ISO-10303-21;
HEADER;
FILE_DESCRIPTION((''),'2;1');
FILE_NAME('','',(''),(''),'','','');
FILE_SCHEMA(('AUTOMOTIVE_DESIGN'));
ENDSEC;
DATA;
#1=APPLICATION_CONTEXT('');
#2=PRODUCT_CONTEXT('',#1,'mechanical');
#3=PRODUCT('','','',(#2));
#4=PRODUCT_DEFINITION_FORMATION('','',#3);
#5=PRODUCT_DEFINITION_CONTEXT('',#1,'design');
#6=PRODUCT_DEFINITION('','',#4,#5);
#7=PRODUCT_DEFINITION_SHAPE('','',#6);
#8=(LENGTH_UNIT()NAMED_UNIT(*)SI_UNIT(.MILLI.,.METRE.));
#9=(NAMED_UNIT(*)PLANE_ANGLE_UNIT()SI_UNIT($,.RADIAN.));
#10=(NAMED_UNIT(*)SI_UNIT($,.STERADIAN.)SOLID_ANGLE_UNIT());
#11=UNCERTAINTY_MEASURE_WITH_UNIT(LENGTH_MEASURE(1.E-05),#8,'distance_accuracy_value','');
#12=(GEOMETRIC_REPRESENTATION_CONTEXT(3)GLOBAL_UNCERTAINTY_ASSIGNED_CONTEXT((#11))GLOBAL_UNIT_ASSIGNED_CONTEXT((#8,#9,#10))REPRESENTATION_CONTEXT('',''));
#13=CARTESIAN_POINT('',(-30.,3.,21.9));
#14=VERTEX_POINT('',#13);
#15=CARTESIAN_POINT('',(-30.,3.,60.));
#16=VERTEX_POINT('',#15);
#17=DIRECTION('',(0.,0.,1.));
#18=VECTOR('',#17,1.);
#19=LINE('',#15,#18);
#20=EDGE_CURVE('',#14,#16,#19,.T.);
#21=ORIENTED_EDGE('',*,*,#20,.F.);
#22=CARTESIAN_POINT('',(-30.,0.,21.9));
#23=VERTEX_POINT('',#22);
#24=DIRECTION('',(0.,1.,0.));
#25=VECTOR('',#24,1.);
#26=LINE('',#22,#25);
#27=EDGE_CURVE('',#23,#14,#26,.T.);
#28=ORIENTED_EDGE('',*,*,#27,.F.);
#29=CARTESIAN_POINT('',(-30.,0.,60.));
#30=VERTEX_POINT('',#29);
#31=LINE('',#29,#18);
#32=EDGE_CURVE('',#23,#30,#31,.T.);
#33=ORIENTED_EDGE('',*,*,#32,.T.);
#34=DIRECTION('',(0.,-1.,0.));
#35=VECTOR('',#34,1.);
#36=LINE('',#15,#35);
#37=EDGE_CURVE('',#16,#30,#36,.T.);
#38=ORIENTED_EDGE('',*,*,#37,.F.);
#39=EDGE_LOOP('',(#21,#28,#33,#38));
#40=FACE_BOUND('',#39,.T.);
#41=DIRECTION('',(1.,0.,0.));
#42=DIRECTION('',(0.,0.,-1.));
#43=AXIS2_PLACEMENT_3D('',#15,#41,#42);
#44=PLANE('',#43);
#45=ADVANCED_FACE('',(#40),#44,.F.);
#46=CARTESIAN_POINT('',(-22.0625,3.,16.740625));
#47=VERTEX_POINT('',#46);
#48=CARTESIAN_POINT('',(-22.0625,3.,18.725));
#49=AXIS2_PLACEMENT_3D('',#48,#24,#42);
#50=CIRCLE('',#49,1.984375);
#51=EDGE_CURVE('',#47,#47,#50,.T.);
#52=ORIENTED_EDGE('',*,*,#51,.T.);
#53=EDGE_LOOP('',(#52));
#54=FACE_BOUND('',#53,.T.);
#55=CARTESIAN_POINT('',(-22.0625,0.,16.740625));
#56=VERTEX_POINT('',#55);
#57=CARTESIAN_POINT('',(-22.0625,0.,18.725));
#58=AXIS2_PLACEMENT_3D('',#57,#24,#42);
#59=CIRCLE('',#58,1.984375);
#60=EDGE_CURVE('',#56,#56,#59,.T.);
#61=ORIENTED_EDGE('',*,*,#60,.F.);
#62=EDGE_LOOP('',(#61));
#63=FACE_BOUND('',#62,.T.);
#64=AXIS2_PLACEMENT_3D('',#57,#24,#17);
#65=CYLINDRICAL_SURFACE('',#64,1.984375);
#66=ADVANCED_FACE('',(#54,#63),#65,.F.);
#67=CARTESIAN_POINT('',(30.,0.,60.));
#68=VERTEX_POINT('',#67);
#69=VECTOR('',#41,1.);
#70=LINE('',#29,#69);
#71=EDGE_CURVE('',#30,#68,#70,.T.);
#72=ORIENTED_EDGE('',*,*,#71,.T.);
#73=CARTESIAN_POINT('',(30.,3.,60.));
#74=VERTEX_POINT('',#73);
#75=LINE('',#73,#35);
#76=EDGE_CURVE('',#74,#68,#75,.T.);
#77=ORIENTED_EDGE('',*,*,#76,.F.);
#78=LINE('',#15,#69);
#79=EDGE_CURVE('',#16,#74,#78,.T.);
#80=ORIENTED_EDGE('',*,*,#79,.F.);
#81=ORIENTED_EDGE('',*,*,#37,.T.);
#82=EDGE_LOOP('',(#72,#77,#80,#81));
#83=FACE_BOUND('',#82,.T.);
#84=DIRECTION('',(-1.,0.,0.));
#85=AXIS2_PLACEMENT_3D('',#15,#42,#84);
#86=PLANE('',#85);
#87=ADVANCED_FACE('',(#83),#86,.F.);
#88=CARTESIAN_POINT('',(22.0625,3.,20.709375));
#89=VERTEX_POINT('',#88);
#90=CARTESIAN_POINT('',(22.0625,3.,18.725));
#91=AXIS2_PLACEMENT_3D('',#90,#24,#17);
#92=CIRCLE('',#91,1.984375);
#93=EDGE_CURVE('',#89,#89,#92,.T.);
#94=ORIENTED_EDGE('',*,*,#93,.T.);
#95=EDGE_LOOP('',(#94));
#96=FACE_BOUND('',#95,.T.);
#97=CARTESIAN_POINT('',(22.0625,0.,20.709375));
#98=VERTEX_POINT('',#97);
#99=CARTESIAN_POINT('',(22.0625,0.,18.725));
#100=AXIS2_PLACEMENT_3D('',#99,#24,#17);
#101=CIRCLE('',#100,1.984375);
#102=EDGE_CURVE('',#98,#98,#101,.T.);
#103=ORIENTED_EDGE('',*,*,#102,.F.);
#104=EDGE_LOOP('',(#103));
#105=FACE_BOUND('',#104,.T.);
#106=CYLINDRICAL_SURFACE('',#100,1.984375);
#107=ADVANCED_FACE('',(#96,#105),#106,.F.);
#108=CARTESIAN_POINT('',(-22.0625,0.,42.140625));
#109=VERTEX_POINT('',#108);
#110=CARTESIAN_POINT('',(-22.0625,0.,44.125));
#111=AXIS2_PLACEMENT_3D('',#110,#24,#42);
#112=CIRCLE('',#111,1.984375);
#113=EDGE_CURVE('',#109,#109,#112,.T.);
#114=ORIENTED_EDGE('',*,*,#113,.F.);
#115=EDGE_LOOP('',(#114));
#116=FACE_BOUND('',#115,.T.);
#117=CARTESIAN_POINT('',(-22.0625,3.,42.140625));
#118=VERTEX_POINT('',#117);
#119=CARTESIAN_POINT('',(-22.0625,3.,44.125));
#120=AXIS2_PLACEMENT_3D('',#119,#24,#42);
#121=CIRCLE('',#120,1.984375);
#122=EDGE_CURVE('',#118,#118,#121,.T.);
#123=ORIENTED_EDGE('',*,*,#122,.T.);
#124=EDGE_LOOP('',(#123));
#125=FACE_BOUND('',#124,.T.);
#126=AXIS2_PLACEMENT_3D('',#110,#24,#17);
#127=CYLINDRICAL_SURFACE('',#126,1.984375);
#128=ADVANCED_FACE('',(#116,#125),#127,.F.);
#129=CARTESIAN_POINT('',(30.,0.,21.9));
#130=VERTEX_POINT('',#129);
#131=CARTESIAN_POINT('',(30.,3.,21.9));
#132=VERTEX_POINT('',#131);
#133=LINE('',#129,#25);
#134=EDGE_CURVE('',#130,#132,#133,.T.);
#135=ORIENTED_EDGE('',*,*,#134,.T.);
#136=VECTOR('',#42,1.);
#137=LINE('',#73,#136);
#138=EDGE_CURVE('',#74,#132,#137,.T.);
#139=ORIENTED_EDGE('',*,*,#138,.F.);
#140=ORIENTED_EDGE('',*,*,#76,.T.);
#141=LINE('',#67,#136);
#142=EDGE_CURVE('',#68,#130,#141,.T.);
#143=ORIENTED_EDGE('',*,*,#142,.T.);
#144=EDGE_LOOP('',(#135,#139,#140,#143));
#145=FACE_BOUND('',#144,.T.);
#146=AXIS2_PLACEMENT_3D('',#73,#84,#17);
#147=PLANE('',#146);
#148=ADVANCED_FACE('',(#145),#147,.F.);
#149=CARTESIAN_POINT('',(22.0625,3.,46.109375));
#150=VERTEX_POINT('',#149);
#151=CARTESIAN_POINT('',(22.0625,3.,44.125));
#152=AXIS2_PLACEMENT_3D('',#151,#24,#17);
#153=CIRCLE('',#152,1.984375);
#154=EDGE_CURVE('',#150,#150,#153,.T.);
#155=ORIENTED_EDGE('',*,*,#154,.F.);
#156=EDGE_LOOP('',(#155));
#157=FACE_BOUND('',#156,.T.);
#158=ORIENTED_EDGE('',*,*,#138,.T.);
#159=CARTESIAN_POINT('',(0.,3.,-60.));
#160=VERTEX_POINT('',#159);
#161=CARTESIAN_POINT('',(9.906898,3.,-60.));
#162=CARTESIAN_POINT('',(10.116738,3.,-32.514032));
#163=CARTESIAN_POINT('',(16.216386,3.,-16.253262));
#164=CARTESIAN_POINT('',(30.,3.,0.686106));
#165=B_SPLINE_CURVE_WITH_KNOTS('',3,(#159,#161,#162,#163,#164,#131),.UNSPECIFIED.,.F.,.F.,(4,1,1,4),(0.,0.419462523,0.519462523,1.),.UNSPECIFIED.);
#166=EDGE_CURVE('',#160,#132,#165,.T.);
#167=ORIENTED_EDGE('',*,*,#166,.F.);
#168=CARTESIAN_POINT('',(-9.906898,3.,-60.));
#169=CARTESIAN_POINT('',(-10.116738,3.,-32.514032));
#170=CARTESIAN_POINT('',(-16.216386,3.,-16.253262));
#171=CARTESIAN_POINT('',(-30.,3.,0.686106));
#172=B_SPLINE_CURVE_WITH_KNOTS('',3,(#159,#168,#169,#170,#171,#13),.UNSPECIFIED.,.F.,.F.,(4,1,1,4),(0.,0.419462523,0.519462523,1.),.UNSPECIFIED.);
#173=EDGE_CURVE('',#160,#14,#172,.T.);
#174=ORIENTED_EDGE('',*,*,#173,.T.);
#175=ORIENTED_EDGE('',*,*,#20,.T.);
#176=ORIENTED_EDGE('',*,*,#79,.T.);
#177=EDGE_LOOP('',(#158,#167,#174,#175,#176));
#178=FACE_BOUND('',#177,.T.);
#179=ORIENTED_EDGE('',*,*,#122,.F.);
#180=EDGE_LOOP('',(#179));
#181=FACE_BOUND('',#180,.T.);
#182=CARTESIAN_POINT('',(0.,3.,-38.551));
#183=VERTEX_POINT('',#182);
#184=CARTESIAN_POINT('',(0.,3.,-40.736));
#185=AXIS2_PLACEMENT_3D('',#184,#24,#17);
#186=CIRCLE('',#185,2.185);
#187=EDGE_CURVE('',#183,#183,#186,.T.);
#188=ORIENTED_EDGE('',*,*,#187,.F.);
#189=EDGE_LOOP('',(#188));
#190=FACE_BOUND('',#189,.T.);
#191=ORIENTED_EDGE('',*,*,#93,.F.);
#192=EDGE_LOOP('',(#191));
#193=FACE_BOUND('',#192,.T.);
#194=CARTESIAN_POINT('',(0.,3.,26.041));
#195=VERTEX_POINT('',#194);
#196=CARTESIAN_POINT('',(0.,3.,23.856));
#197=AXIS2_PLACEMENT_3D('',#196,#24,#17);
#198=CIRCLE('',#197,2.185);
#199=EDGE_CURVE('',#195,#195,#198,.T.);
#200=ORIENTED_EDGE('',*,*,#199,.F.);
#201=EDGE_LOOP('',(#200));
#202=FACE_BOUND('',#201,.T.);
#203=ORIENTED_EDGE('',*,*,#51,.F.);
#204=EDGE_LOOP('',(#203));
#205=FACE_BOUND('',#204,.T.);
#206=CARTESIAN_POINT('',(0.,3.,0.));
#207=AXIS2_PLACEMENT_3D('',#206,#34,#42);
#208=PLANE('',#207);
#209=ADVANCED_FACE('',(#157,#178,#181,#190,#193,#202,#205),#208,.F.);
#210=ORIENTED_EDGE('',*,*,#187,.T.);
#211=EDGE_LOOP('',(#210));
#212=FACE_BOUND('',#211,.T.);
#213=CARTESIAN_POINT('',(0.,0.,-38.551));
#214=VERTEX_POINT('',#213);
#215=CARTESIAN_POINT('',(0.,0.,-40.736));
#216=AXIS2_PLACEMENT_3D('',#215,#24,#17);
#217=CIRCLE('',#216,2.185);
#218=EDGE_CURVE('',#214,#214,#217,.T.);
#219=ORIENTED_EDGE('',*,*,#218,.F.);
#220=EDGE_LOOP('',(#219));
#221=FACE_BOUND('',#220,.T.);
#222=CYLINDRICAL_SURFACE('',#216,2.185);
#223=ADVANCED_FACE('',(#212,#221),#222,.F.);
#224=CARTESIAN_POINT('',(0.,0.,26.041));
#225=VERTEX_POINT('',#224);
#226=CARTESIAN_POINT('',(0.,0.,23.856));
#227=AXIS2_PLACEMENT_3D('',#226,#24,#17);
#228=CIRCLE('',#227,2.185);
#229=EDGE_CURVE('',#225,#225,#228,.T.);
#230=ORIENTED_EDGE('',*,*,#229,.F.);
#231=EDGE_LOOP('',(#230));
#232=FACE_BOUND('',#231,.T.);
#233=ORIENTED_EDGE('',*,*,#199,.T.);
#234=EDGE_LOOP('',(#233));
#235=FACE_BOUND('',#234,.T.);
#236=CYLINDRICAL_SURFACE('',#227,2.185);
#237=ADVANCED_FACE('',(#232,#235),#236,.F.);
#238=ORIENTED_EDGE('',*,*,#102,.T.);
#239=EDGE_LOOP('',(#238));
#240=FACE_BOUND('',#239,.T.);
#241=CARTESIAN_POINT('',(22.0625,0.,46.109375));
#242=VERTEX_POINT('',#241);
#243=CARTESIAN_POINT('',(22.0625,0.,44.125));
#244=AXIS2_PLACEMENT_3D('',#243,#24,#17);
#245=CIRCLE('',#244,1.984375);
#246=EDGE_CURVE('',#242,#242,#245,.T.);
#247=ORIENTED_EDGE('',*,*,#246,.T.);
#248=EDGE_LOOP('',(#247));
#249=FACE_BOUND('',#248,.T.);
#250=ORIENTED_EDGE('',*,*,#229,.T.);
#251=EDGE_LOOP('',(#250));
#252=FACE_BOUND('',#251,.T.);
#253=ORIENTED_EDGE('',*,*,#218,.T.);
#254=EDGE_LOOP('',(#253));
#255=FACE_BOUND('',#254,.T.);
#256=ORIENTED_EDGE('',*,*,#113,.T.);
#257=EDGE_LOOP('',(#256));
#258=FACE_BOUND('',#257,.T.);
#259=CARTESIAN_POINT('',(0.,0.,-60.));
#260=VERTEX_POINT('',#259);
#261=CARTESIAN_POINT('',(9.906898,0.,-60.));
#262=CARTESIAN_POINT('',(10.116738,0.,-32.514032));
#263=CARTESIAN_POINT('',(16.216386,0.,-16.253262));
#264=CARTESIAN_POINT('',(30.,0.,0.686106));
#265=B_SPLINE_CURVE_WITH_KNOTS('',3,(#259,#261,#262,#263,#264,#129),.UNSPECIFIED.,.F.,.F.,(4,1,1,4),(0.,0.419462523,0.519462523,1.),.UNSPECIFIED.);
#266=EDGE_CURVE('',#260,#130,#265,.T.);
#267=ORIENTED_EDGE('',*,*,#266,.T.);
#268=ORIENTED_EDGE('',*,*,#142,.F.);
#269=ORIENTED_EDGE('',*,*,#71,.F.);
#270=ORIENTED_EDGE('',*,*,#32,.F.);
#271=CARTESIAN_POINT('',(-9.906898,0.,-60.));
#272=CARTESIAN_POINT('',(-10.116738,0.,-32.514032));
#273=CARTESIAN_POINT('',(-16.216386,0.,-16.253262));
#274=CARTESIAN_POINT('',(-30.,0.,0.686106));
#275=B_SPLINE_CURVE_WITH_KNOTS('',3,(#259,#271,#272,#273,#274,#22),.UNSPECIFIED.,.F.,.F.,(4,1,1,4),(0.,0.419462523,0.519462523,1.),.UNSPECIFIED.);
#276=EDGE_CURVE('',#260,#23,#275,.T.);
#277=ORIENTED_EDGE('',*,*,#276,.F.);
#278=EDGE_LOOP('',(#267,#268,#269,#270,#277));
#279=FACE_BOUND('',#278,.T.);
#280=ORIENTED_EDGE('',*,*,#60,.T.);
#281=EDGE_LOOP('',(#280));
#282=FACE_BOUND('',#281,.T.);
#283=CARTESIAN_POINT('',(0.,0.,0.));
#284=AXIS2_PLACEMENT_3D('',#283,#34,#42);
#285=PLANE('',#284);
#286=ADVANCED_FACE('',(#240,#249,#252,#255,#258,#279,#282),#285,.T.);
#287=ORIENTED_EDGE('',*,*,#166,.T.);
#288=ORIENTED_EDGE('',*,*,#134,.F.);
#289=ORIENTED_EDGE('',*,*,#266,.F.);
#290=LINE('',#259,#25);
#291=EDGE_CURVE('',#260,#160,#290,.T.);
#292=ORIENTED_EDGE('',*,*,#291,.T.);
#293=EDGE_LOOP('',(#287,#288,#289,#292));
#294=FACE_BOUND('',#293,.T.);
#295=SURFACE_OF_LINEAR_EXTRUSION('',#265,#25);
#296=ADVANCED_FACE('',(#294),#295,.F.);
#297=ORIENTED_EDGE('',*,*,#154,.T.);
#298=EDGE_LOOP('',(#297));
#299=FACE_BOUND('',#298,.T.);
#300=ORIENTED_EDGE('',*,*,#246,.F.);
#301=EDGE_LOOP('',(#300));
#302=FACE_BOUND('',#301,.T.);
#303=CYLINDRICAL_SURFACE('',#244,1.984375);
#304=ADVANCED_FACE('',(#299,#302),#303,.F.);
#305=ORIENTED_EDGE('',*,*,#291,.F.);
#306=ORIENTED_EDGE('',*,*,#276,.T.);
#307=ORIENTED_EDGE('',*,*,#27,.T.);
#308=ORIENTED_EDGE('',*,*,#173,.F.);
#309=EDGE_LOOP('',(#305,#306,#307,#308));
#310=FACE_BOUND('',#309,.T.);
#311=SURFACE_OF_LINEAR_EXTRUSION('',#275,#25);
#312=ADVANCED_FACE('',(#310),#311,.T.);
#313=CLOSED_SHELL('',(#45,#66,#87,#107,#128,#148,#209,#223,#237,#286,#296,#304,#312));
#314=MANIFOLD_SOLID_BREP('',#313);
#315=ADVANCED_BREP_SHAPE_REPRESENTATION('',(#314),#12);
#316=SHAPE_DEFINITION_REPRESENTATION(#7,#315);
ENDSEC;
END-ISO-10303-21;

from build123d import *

# Parameters (mm, degrees)
SKETCH1_W           = 60
SKETCH1_H           = 120
BOSS_EXTRUDE1_DEPTH = 3
SKETCH2_R           = 2.185
CUT_EXTRUDE1_DEPTH  = 4
CUT_EXTRUDE2_DEPTH  = 4
SKETCH4_R           = 1.984375
CUT_EXTRUDE3_DEPTH  = 4.0000001


with BuildPart() as part:
    # Sketch1 → Boss-Extrude1 (new body)
    with BuildSketch(Plane(origin=(0, 0, 0), x_dir=(1, 0, 0), z_dir=(0, 1, 0))):
        Rectangle(SKETCH1_W, SKETCH1_H)
    extrude(amount=BOSS_EXTRUDE1_DEPTH)

    # Sketch2 → Cut-Extrude1 (cut, through all)
    with BuildSketch(Plane(origin=(0, 3, 0), x_dir=(1, 0, 0), z_dir=(0, 1, 0))):
        with Locations((0, -23.856)):
            Circle(SKETCH2_R)
        with Locations((0, 40.736)):
            Circle(SKETCH2_R)
    extrude(amount=-CUT_EXTRUDE1_DEPTH, mode=Mode.SUBTRACT)

    # Sketch3 → Cut-Extrude2 (cut, through all)
    with BuildSketch(Plane(origin=(0, 3, 0), x_dir=(1, 0, 0), z_dir=(0, 1, 0))):
        with BuildLine():
            Line((30, -21.9), (30, 60))
            Line((30, 60), (0, 60))
            add(Edge.make_bspline(
                [(0, 60), (9.906897678, 60), (10.116738443, 32.51403174), (16.216386116, 16.253262419), (30, -0.686105814), (30, -21.9)],
                knots=[0, 0, 0, 0, 0.419462523, 0.519462523, 1, 1, 1, 1], degree=3))
        make_face()
    cut_extrude2 = extrude(amount=-CUT_EXTRUDE2_DEPTH, mode=Mode.SUBTRACT)

    # Mirror1: Cut-Extrude2 across plane
    add(cut_extrude2.mirror(Plane(origin=(0, 0, 0), x_dir=(0, 0, 1), z_dir=(1, 0, 0))), mode=Mode.SUBTRACT)

    # Sketch4 → Cut-Extrude3 (cut, through all)
    with BuildSketch(Plane(origin=(0, 3, 0), x_dir=(1, 0, 0), z_dir=(0, 1, 0))):
        with Locations((22.0625, -44.125)):
            Circle(SKETCH4_R)
        with Locations((22.0625, -18.725)):
            Circle(SKETCH4_R)
        with Locations((-22.0625, -18.725)):
            Circle(SKETCH4_R)
        with Locations((-22.0625, -44.125)):
            Circle(SKETCH4_R)
    extrude(amount=-CUT_EXTRUDE3_DEPTH, mode=Mode.SUBTRACT)


solid = part.part
